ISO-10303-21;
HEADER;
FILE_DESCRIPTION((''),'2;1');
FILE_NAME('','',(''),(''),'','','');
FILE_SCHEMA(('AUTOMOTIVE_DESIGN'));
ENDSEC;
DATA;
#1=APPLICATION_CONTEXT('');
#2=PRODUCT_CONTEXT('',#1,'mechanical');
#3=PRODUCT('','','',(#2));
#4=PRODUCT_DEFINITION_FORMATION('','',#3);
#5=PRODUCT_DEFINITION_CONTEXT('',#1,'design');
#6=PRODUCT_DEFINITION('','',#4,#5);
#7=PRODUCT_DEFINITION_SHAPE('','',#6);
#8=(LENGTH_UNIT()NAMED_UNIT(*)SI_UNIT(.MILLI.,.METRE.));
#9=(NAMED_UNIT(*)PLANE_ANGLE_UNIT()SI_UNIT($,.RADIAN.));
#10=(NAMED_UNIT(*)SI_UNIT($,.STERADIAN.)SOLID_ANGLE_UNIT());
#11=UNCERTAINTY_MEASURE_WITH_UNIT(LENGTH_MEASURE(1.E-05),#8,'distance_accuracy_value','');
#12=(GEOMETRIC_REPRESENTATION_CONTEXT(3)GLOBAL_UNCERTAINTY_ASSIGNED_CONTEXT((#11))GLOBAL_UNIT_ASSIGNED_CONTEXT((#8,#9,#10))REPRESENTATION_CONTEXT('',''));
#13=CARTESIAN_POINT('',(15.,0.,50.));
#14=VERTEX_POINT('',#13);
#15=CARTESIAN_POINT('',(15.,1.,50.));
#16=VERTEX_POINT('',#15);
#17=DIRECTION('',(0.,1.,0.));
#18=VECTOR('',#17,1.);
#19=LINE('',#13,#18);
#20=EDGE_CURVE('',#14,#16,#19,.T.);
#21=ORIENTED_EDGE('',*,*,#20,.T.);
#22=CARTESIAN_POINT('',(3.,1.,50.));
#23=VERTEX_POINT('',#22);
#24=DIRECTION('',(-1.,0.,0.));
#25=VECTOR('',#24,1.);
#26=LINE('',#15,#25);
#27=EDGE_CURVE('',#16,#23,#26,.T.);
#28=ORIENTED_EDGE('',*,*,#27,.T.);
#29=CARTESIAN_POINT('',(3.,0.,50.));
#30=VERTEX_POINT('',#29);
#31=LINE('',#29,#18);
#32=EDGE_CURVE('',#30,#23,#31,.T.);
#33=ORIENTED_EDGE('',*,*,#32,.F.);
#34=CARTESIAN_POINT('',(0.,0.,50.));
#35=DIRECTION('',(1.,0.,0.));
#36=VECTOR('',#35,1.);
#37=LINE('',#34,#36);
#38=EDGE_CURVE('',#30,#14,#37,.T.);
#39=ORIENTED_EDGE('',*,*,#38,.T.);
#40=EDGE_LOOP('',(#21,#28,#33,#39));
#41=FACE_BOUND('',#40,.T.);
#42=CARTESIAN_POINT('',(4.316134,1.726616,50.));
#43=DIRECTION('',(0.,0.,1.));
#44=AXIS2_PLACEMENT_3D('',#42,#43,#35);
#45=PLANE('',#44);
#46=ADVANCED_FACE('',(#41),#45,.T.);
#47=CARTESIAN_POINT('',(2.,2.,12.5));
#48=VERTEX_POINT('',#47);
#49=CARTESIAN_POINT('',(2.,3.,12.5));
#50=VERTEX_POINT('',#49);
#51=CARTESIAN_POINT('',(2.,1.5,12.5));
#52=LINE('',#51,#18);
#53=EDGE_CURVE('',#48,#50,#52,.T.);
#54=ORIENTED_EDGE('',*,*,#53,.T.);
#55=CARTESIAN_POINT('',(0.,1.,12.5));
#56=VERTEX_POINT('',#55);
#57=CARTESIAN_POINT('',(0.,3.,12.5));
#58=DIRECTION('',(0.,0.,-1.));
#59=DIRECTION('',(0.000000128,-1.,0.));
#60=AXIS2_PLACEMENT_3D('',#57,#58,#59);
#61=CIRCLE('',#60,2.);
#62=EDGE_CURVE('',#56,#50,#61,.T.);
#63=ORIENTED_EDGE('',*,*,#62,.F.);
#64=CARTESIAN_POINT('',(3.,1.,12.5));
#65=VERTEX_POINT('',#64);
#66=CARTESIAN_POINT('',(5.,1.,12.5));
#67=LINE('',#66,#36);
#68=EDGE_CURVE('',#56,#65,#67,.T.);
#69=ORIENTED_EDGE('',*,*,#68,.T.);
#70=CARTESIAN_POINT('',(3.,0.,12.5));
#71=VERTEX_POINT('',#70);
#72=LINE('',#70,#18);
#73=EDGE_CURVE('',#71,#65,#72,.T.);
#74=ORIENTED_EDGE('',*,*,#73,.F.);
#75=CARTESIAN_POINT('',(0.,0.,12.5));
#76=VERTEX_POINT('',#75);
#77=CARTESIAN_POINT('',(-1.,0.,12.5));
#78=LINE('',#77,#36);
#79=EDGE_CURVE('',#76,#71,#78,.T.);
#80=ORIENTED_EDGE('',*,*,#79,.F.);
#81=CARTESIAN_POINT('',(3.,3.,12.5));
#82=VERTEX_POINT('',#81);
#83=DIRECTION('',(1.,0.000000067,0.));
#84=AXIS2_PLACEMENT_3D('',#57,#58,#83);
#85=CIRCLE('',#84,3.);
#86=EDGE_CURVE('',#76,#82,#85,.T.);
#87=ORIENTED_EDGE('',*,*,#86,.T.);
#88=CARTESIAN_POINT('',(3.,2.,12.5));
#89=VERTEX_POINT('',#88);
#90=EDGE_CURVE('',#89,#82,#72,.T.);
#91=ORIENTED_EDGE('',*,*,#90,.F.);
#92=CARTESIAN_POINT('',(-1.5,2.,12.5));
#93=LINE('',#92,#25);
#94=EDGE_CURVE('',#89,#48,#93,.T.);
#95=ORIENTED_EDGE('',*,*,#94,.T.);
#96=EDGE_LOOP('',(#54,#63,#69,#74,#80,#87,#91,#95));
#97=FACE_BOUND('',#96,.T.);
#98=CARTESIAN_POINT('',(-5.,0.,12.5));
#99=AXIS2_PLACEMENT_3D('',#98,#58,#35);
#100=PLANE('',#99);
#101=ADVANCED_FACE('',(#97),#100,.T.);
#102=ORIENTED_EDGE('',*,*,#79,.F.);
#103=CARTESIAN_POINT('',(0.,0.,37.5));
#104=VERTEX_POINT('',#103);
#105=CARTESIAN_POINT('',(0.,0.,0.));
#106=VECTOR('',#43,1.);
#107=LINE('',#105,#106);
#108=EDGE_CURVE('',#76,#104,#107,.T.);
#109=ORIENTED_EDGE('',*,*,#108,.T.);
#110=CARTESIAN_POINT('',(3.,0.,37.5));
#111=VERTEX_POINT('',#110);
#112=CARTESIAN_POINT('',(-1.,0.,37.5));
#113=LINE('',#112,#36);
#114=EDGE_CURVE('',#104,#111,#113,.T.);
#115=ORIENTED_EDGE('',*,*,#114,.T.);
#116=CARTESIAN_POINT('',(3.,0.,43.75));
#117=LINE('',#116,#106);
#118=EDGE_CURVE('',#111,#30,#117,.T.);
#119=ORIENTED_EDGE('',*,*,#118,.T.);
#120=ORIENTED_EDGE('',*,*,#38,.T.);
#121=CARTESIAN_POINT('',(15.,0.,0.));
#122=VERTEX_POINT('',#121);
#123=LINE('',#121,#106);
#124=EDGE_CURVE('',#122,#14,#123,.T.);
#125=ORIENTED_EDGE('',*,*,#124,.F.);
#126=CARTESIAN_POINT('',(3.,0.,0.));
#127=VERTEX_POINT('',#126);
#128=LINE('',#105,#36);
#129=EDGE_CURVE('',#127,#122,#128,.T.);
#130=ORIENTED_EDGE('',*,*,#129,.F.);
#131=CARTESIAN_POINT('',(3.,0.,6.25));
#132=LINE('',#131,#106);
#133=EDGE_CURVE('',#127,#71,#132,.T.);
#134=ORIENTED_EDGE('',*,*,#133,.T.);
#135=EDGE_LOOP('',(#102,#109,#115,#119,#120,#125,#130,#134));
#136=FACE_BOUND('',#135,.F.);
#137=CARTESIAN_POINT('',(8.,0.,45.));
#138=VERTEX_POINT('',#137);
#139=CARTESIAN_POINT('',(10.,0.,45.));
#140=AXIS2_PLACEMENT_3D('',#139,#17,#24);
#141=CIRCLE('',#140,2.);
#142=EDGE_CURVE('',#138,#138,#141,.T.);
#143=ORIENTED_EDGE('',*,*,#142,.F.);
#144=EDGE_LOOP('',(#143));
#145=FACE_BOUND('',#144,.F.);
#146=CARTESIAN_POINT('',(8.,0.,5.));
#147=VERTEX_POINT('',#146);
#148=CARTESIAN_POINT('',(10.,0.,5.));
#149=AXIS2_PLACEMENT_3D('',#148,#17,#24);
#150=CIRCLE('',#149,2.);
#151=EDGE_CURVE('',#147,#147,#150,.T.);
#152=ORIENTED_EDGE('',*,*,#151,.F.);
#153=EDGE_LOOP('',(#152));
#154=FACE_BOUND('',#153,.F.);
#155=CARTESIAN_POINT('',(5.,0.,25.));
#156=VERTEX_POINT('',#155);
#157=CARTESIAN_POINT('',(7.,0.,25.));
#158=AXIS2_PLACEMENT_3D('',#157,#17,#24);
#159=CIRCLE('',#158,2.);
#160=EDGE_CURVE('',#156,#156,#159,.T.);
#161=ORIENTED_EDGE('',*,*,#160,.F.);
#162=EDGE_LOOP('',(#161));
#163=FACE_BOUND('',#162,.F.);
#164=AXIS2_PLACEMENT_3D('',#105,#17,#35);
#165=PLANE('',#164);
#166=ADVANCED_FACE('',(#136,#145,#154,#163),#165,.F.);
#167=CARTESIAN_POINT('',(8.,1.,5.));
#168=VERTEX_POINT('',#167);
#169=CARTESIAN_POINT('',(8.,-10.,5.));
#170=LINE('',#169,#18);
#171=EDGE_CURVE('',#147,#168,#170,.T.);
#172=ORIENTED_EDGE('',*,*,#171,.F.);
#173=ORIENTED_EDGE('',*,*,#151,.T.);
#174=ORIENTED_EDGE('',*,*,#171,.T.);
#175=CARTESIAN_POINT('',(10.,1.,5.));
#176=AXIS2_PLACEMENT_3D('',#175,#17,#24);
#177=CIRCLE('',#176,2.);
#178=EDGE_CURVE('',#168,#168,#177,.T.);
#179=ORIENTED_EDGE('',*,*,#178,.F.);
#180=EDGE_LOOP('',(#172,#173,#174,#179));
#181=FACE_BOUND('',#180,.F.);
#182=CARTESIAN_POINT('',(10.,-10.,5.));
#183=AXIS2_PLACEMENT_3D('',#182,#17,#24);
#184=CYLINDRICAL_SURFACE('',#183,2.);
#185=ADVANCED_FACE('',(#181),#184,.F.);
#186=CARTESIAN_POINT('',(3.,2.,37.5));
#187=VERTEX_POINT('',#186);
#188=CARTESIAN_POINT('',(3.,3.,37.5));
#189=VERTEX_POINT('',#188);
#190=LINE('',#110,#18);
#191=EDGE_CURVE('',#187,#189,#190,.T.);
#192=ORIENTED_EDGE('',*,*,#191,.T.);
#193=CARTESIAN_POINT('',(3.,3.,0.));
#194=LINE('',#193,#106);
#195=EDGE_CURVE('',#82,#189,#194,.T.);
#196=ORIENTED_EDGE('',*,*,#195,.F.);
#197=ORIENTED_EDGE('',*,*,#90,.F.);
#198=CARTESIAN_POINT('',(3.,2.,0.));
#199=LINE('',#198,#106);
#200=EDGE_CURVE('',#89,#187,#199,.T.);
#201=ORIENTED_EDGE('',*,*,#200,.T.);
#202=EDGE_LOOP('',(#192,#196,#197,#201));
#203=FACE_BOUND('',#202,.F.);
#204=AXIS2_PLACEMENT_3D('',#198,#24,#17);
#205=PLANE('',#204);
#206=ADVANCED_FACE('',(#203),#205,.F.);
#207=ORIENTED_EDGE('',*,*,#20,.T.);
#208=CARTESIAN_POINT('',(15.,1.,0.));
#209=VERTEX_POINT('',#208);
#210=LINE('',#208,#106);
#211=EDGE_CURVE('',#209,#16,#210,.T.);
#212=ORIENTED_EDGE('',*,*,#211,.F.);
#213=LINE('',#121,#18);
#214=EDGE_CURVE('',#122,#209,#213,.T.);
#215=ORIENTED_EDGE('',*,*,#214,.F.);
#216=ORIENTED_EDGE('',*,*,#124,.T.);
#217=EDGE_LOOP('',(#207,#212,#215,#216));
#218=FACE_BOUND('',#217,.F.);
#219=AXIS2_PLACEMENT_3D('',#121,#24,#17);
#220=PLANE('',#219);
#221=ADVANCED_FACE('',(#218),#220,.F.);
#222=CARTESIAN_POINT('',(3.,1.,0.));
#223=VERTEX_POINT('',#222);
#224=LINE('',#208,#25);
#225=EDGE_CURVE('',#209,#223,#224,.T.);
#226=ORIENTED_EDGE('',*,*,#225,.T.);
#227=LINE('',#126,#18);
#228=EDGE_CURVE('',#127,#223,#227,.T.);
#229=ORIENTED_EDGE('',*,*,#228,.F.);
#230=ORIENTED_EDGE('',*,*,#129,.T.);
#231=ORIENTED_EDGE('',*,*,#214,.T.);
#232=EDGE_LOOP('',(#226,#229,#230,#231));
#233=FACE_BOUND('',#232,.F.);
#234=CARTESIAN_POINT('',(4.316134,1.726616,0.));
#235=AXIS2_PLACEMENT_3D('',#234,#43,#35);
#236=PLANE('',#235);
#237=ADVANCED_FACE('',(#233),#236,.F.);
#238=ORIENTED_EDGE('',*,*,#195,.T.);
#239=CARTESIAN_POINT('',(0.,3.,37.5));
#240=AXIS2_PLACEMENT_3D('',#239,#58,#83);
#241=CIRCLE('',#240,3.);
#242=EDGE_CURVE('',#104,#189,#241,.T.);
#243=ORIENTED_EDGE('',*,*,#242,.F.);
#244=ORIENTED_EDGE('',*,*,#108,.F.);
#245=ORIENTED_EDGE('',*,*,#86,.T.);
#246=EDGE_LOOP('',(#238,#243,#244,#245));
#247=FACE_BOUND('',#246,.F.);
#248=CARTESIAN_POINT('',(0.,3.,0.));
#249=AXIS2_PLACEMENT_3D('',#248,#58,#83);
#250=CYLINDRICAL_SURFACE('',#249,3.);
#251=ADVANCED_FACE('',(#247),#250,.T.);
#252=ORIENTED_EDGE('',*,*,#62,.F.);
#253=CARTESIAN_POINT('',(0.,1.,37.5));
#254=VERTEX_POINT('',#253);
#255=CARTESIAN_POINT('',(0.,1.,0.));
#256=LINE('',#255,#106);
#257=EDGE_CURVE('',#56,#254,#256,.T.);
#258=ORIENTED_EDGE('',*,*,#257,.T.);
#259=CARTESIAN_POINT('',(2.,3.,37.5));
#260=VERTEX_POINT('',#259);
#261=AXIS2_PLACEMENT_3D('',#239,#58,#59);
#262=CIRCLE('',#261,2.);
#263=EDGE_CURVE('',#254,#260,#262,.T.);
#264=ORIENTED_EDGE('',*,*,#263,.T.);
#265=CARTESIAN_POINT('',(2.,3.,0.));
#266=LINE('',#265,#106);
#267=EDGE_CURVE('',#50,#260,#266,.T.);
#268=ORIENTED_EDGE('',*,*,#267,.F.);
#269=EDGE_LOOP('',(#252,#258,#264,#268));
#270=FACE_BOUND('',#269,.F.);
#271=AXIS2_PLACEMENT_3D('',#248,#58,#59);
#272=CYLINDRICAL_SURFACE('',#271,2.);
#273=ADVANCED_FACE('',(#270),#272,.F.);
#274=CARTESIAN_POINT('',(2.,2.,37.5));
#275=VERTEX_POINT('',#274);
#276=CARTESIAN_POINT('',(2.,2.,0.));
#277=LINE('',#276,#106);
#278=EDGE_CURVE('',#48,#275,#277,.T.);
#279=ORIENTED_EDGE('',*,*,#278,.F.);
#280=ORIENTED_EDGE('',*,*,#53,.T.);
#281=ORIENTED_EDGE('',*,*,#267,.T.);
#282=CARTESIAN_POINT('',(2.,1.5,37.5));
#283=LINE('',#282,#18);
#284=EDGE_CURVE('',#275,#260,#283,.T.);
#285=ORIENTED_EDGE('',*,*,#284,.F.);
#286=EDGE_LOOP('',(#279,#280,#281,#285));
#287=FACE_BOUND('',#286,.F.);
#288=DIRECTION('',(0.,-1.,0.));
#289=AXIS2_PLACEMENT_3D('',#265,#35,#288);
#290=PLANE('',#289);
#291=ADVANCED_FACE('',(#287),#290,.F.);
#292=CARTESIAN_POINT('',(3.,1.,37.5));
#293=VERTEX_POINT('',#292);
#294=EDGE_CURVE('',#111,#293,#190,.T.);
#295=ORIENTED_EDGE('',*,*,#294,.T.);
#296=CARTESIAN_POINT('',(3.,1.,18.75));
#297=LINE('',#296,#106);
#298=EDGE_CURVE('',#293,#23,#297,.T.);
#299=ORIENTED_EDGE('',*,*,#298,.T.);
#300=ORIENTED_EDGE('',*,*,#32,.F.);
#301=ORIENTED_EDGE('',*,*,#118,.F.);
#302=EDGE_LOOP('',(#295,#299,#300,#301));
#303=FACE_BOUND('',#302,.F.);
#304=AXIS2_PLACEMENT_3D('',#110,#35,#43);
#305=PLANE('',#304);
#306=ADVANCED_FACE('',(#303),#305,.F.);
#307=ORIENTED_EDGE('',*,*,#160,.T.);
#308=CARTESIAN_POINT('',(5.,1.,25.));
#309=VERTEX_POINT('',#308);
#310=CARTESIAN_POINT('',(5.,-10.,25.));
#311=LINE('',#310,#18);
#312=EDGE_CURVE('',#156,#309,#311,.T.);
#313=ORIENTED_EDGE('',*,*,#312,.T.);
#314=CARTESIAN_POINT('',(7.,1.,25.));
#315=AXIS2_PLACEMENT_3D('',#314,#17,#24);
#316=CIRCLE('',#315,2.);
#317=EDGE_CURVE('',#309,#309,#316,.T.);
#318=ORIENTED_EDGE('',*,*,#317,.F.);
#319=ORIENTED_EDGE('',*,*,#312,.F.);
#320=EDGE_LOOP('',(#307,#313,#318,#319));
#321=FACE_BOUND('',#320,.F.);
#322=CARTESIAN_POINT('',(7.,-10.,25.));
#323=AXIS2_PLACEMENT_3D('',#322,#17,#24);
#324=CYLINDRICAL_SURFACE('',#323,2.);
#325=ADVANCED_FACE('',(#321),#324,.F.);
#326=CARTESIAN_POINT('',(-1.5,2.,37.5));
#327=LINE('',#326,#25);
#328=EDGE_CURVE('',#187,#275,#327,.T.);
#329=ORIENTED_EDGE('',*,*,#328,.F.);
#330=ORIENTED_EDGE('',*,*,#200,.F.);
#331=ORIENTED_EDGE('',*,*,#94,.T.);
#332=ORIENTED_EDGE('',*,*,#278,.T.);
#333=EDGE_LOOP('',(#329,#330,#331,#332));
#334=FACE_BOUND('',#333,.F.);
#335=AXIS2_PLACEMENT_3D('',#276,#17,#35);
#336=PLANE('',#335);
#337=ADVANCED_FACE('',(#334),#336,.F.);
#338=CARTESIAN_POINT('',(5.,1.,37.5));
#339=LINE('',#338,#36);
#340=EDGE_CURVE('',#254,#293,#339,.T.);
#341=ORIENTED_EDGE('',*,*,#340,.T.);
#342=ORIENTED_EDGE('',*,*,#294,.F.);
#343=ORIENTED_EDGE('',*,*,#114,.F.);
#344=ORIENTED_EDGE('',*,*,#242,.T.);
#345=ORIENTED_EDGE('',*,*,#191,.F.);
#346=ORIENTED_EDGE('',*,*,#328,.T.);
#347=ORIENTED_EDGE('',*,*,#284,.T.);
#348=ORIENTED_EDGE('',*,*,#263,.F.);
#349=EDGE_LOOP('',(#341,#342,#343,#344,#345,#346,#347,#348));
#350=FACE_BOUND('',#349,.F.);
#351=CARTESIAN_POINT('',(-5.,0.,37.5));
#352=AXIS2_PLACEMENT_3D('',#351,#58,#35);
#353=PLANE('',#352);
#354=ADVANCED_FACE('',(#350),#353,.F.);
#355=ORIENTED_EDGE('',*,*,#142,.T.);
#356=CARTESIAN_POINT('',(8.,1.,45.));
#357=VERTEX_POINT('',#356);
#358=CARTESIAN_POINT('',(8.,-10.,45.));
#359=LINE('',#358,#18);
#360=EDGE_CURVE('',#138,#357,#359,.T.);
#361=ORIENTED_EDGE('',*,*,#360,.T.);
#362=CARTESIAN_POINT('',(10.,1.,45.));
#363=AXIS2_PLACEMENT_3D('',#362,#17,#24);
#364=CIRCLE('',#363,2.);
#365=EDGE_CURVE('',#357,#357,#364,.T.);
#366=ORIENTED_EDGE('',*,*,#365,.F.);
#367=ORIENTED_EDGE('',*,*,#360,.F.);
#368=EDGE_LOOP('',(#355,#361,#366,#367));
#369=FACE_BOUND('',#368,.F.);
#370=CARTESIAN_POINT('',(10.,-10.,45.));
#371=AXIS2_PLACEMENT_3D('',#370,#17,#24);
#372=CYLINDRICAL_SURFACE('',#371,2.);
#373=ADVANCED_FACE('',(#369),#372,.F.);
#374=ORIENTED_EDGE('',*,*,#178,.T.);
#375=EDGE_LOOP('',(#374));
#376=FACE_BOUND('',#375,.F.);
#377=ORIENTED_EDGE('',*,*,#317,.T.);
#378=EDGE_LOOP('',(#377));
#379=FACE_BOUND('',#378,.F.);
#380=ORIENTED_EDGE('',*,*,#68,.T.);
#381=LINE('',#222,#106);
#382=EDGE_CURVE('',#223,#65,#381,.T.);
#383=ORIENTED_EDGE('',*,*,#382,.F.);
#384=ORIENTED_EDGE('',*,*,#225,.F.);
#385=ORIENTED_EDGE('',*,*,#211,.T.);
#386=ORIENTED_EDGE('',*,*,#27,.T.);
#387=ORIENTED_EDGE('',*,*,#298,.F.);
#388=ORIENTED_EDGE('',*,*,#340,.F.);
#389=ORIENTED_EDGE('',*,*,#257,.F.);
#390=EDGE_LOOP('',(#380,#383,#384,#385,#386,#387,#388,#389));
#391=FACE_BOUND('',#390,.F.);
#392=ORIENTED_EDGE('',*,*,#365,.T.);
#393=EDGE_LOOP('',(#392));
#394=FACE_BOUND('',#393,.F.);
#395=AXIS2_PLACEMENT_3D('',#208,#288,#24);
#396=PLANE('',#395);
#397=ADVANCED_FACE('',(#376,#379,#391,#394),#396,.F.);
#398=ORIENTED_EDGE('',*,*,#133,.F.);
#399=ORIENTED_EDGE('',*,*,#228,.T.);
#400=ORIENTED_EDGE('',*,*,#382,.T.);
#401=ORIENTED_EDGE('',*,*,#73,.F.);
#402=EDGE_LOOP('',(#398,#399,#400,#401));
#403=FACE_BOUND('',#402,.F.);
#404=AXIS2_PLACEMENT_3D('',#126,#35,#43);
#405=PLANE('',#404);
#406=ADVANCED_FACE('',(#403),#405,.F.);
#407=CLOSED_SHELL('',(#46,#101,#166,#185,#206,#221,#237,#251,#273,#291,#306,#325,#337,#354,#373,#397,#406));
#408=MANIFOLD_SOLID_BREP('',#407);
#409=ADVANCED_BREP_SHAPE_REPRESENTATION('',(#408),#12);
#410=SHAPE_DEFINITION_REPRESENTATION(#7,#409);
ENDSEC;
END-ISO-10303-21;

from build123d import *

# Parameters (mm, degrees)
F1_DEPTH = 50
F3_D     = 4
F3_DEPTH = 10
F2_W     = 8
F2_H     = 12.5
F4_DEPTH = 25


with BuildPart() as f1:
    # F0 (on Top) → F1 (new body)
    with BuildSketch(Plane.XY):
        with BuildLine():
            Line((15, 1), (0, 1))
            ThreePointArc((0, 1), (-1.414214, 4.414214), (2, 3))
            Line((2, 3), (2, 2))
            Line((2, 2), (3, 2))
            Line((3, 2), (3, 3))
            ThreePointArc((3, 3), (-2.12132, 5.12132), (0, 0))
            Line((0, 0), (15, 0))
            Line((15, 0), (15, 1))
        make_face()
    extrude(amount=F1_DEPTH)

    # F3
    with Locations(Plane.XZ):
        with Locations((10, 45), (7, 25), (10, 5)):
            Hole(F3_D / 2, depth=F3_DEPTH)

    # F2 (on Front) → F4 (cut)
    with BuildSketch(Plane.XZ):
        with Locations((-1, 43.75)):
            Rectangle(F2_W, F2_H)
        with Locations((-1, 6.25)):
            Rectangle(F2_W, F2_H)
    extrude(amount=-F4_DEPTH, mode=Mode.SUBTRACT)


solid = f1.part
